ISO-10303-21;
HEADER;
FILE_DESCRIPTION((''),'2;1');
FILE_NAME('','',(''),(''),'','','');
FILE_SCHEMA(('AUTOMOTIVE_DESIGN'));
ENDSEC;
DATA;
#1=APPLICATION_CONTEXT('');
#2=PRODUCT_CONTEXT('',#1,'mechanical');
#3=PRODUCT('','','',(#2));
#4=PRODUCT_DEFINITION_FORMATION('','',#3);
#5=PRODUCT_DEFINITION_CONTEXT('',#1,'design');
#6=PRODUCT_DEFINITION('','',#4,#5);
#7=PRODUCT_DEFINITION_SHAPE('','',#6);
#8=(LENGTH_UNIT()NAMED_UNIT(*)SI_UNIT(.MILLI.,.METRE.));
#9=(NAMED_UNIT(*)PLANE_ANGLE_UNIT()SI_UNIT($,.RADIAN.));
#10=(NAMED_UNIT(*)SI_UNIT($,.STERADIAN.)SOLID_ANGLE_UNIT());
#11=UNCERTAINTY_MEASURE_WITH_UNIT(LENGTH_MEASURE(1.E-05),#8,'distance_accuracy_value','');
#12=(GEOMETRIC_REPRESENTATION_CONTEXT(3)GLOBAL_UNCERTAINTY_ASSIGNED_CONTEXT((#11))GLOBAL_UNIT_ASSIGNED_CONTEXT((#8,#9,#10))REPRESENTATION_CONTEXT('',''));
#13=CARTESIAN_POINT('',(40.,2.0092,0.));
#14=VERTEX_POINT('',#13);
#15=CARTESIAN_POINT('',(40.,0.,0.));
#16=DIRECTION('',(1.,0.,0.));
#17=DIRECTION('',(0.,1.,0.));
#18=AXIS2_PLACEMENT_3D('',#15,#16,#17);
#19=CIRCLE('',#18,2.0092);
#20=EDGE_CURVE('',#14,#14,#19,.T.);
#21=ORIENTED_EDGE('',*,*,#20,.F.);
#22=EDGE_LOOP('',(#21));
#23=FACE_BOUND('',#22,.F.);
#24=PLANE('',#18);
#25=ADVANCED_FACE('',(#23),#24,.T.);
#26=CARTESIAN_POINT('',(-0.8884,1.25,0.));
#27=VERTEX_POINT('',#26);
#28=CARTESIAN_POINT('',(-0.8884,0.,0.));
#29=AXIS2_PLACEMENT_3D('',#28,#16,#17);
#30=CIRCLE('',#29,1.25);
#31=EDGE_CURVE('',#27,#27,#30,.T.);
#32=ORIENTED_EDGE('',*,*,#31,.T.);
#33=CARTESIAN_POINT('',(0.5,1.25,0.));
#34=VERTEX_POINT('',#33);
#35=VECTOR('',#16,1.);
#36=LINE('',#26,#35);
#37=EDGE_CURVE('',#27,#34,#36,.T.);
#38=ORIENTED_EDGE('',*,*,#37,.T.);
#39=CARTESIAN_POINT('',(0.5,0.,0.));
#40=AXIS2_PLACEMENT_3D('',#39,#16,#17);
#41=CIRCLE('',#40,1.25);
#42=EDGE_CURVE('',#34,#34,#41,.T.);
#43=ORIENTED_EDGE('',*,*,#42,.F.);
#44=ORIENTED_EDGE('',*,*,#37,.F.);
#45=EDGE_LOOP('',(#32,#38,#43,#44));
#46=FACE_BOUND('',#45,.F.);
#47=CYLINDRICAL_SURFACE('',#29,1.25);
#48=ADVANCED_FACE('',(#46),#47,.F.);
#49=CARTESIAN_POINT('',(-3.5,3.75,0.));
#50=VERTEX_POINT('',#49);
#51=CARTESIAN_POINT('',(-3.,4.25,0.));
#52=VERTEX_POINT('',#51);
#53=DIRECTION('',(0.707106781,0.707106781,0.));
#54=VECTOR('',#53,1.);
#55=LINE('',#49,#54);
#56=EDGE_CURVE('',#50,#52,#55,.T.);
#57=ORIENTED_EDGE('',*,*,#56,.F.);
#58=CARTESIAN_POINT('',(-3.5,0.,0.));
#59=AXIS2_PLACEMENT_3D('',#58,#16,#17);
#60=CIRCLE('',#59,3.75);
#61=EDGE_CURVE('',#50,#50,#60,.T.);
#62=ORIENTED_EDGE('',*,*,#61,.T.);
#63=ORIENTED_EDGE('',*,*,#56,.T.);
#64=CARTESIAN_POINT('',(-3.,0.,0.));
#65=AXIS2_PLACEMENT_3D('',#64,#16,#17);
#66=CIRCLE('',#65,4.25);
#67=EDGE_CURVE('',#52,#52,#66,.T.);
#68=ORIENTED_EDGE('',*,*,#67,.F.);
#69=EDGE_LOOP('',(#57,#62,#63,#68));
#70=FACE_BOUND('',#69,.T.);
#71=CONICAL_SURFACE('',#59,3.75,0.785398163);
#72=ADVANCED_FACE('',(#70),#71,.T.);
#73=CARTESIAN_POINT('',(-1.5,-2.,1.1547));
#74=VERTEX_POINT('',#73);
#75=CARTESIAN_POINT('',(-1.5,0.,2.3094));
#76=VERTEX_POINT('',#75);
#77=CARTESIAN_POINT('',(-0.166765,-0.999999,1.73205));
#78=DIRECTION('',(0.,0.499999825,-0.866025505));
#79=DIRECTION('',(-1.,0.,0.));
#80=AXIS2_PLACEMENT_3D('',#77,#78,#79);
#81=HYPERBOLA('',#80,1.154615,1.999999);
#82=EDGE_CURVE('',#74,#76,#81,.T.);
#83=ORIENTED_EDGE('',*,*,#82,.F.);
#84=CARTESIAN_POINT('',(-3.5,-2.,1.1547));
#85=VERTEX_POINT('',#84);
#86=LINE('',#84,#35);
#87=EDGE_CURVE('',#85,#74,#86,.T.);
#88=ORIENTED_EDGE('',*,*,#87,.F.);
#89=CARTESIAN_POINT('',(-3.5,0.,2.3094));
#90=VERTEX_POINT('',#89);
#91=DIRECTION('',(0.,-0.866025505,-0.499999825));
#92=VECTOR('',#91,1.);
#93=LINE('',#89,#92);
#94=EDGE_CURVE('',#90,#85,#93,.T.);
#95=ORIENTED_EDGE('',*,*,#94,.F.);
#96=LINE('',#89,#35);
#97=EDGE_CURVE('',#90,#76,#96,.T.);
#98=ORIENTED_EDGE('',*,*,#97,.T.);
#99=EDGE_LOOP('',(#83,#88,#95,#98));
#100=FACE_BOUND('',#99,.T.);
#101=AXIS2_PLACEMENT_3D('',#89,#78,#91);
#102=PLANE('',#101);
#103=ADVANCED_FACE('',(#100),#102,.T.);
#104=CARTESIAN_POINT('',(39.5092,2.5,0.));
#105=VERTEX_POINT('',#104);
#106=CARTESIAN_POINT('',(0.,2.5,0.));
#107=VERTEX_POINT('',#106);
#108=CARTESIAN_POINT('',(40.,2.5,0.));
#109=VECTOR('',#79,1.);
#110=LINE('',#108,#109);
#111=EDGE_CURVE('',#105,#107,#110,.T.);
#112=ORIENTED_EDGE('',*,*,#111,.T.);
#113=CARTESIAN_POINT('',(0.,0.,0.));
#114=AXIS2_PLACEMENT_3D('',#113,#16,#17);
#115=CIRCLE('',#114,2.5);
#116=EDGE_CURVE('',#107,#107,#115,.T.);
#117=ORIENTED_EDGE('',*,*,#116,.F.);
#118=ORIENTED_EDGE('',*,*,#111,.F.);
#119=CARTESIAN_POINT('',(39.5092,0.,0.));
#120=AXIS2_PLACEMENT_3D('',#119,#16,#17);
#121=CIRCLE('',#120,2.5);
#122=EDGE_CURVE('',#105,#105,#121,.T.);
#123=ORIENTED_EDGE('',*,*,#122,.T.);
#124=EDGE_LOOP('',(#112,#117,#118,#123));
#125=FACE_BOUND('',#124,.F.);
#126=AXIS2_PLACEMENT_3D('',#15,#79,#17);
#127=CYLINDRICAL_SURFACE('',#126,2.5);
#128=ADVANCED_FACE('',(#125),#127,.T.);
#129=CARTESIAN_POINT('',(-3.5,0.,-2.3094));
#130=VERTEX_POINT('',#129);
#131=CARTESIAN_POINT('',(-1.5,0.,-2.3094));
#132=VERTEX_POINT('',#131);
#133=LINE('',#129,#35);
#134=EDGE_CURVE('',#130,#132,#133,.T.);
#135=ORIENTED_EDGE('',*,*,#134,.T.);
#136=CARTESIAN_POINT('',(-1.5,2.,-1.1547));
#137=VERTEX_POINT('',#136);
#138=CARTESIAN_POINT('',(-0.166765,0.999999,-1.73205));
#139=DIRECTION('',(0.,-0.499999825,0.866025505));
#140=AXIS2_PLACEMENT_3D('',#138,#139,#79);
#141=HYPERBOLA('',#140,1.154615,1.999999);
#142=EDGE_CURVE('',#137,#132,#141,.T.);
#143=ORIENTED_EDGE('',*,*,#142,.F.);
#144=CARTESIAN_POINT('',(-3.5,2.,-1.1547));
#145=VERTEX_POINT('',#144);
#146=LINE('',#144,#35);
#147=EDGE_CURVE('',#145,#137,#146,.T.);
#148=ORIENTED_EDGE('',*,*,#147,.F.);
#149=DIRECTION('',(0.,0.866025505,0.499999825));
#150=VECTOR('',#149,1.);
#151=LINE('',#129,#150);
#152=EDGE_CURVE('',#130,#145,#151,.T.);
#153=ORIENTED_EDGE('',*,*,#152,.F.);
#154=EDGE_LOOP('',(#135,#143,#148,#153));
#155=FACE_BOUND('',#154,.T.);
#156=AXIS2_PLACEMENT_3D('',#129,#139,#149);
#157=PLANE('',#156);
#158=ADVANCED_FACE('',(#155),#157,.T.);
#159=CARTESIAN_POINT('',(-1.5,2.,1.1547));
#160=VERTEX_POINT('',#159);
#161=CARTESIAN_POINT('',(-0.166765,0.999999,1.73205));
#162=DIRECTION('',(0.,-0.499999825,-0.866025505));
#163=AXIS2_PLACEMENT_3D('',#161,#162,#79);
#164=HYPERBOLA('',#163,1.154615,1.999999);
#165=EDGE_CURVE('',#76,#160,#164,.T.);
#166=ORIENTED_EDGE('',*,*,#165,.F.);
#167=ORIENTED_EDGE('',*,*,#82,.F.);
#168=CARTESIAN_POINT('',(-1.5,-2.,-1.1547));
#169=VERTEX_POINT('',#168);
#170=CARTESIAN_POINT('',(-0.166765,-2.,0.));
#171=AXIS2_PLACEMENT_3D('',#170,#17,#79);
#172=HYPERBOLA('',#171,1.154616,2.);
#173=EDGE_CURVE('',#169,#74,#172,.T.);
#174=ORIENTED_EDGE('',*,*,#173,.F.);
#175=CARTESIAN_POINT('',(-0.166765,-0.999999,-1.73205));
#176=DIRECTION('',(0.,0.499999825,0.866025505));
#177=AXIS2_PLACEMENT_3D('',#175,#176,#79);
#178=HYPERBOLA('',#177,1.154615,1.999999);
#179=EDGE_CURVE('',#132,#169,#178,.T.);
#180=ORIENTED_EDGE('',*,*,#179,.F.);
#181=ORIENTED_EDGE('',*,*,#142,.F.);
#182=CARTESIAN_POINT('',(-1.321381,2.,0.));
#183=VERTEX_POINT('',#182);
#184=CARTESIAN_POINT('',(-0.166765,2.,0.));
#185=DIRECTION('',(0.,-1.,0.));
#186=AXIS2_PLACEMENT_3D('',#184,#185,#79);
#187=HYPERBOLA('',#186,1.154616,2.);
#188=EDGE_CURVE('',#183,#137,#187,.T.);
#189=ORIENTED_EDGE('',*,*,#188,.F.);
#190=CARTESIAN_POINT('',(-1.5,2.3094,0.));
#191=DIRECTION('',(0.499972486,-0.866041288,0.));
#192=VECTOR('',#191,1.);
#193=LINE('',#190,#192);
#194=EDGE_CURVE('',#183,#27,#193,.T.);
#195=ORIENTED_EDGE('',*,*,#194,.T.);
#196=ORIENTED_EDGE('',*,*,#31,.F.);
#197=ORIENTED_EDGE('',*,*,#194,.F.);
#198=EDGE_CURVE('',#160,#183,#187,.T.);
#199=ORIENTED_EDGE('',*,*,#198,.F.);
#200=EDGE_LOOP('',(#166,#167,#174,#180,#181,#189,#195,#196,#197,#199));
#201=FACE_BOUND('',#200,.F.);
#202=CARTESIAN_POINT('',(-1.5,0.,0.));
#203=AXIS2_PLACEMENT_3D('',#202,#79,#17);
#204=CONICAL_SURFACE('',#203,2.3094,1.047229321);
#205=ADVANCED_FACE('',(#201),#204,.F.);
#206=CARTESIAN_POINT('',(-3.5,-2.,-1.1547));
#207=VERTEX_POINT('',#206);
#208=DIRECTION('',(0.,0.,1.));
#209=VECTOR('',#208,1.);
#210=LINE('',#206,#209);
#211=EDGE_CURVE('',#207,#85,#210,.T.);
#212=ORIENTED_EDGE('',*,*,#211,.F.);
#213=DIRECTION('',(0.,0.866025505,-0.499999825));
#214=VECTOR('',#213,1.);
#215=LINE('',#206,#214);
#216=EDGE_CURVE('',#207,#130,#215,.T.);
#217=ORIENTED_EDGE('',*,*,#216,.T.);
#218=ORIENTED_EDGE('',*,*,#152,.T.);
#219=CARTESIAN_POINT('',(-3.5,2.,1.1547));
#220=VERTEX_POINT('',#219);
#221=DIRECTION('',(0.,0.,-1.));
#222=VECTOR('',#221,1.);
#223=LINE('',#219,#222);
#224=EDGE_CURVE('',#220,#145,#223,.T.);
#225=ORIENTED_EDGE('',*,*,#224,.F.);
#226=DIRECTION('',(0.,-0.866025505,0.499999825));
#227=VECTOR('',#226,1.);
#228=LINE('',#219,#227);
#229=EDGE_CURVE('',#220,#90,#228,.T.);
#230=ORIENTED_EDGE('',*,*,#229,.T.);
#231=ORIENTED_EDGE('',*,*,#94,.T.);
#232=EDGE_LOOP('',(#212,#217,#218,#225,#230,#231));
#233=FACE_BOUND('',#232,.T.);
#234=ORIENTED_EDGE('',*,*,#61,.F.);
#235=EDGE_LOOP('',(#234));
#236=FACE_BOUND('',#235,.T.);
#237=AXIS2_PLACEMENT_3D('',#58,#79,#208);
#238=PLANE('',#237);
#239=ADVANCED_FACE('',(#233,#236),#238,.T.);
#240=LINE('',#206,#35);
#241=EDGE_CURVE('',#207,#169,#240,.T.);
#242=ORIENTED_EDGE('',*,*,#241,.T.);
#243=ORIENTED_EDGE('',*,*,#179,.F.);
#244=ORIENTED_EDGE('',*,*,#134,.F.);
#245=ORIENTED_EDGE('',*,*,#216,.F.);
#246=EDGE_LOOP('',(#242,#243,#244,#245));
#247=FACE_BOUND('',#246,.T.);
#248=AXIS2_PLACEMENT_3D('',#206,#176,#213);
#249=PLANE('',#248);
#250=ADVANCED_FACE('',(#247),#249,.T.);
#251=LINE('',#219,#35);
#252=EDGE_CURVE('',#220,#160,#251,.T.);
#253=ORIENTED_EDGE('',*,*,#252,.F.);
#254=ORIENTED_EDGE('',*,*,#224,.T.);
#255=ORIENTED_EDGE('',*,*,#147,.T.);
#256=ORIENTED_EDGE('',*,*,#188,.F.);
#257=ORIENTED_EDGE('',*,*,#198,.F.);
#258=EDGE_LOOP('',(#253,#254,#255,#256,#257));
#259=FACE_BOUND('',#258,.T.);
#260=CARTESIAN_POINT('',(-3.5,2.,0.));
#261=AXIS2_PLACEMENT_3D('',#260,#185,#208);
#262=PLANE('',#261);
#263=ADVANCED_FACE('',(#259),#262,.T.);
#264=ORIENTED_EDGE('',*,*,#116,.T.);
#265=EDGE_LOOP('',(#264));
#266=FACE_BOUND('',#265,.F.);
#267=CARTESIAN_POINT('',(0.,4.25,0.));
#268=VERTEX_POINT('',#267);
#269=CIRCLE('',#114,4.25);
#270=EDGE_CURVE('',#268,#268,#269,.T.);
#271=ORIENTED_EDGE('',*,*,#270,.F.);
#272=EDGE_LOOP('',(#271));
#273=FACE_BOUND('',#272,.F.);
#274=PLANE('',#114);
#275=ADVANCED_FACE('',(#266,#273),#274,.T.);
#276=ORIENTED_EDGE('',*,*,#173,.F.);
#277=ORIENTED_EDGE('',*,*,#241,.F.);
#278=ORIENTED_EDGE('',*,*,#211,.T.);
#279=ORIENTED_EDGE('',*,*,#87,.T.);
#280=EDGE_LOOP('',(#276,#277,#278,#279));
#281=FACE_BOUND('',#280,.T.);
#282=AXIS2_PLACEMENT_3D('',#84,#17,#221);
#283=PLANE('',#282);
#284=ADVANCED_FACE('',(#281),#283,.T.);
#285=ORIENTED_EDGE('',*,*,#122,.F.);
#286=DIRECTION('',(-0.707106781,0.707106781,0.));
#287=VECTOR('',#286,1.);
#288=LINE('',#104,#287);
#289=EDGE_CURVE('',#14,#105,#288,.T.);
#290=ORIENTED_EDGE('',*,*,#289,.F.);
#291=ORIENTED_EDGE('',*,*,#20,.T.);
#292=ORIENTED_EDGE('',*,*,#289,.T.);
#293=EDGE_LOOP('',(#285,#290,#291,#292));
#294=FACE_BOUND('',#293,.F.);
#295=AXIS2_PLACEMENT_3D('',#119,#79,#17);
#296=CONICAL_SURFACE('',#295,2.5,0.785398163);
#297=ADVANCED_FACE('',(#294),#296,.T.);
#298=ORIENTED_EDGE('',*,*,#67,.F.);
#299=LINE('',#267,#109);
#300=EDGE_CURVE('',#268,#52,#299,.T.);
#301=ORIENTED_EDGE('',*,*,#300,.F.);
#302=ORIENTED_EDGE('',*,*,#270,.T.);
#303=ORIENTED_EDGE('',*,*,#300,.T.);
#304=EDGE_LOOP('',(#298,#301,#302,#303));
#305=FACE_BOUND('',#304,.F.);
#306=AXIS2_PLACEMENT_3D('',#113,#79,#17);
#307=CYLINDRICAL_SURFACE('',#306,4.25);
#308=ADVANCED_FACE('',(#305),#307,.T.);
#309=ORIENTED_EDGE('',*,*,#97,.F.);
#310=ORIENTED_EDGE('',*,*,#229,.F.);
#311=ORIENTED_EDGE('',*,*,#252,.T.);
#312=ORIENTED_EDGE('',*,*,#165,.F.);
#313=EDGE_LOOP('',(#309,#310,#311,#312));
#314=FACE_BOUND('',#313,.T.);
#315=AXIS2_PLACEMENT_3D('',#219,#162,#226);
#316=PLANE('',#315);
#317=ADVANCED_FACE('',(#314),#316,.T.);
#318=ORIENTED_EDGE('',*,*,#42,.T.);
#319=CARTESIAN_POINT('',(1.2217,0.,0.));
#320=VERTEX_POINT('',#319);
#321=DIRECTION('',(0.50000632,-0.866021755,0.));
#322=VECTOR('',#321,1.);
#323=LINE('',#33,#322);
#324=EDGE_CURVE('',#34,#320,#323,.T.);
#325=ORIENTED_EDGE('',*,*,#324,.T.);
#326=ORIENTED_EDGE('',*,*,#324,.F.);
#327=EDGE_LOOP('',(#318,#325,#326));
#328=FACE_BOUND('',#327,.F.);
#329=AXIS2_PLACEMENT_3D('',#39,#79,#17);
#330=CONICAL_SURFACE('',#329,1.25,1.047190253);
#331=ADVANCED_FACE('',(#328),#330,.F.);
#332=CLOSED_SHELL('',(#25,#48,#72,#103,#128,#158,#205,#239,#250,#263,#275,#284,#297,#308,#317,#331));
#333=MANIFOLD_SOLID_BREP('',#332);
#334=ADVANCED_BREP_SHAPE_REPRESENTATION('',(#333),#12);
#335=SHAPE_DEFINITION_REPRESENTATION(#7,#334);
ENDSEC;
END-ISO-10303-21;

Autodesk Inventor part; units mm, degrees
ref_plane "YZ Plane" through (0, 0, 0) normal (1, 0, 0) x (0, 1, 0)
ref_plane "XZ Plane" through (0, 0, 0) normal (0, 1, 0) x (-1, 0, 0)
sketch "Esquisse1" plane through (0, 0, 0) normal (0, 0, 1) x (1, 0, 0)
  line L0 (1.2217, 0) -> (40, 0)
  line L1 (40, 0) -> (40, 2.5)
  line L2 (40, 2.5) -> (0, 2.5)
  line L3 (0, 2.5) -> (0, 4.25)
  line L4 (0, 4.25) -> (-3.5, 4.25)
  line L5 (-3.5, 4.25) -> (-3.5, 2.3094)
  line L6 (-3.5, 2.3094) -> (-1.5, 2.3094)
  line L7 (-1.5, 2.3094) -> (-0.8884, 1.25)
  line L8 (-12.2, 0) -> (48.7, 0) projected
  line L9 (0, -0.85) -> (0, 5.1) projected
  line L10 (-0.8884, 1.25) -> (0.5, 1.25)
  line L11 (0.5, 1.25) -> (1.2217, 0)
  line L12 (-3.5, 2.3094) -> (-3.5, 0) construction
  line L13 (-3.5, 3.75) -> (-3, 4.25)
  dimension "d0" = 3.5
  dimension "d1" = 2
  dimension "d2" = 60
  dimension "d3" = 5
  dimension "d4" = 4.6188
  dimension "d5" = 8.5
  dimension "d15" = 4
  dimension "d16" = 2.5
  dimension "d17" = 40
  dimension "d32" = 45
  dimension "d33" = 0.5
revolve "Corps" add sketch "Esquisse1" angle 360 about axis through (1.2217, 0, 0) along (1, 0, 0) contours L11 L10 L9 L2 L1 L0 | L10 L7 L6 L5 L13 L4 L3 L9 | L13 L5 L4
revolve "Chanfrein2" cut sketch "Esquisse1" angle 360 about axis through (-10, 0, 0) along (1, 0, 0) contours L13 L5 L4
sketch "Esquisse2" plane through (-3.5, 0, 0) normal (-1, 0, 0) x (0, 0, 1)
  circle A0 centre (0, 0) radius 2.3094 projected
  line L0 (0, -5.95) -> (0, 5.95) projected
  line L1 (-5.95, 0) -> (5.95, 0) projected
  line L2 (2.3094, 0) -> (1.1547, -2)
  line L3 (1.1547, -2) -> (-1.1547, -2)
  line L4 (-1.1547, -2) -> (-2.3094, 0)
  line L5 (-2.3094, 0) -> (-1.1547, 2)
  line L6 (-1.1547, 2) -> (1.1547, 2)
  line L7 (1.1547, 2) -> (2.3094, 0)
extrude "Rainure" add sketch "Esquisse2" against normal up to next contours L7 A0 | A0 L2 | L6 L0 A0 | A0 L0 L3 | L0 L6 A0 | A0 L3 L0 | L4 A0 | A0 L5
thread "Filetage" size "M5x0.8" class "6g" standard "ISO Metric profile" length 16
chamfer "Chanfrein1" distance 0.4908 distance2 0.4908 1 edges at (40, -2.5, 0) measured on face at (40, 0.9945, 0.5526)
ref_plane "Work Plane1" through (20, 0, 0) normal (0, 0.5, 0.866) x (1, 0, 0)
equation "\"d0\" = KOH"
equation "\"d1\" = INTI"
equation "\"d3\" = GD"
equation "\"d4\" = 1.1547 * SW"
equation "\"d5\" = KOD"
equation "\"d15\" = INFT"
equation "\"d16\" = SDT"
equation "\"d17\" = NLG"
equation "\"d33\" = Cham"
equation "\"d7\" = GEL"
equation "\"d9\" = -0.5 * SPD + 0.5 * GD"
equation "\"d12\" = GUL"
equation "\"GD\" = NND"
equation "\"NLG\" = 40"
equation "\"GEL\" = 16"
equation "\"KOD\" = 8.5"
equation "\"KOH\" = 3.5"
equation "\"GUL\" = 0.61345 * PTC"
equation "\"SW\" = 4"
equation "\"INTI\" = 2"
equation "\"SPD\" = NND - 1.2269 * PTC"
equation "\"SDT\" = 2.5"
equation "\"INFT\" = 4"
equation "\"Cham\" = 0.5"
equation "\"TOA\" = 30deg"
equation "\"GD1\" = THREADDIA - 1.2269 * PTC"
equation "\"THREADDIA\" = 5"
equation "\"BDM\" = NND"
equation "\"FAWI\" = 45deg"
equation "\"RR\" = 0.1 * NND"
equation "\"PTC\" = 0.8"
equation "\"NND\" = 5"
equation "\"FAWI1\" = 45deg"
equation "\"GAL\" = 0.61345 * PTC"
equation "\"E0\" = 1.155 * SW"
properties part number "DIN 6912 - M5 x 40" material "Acier, doux"
